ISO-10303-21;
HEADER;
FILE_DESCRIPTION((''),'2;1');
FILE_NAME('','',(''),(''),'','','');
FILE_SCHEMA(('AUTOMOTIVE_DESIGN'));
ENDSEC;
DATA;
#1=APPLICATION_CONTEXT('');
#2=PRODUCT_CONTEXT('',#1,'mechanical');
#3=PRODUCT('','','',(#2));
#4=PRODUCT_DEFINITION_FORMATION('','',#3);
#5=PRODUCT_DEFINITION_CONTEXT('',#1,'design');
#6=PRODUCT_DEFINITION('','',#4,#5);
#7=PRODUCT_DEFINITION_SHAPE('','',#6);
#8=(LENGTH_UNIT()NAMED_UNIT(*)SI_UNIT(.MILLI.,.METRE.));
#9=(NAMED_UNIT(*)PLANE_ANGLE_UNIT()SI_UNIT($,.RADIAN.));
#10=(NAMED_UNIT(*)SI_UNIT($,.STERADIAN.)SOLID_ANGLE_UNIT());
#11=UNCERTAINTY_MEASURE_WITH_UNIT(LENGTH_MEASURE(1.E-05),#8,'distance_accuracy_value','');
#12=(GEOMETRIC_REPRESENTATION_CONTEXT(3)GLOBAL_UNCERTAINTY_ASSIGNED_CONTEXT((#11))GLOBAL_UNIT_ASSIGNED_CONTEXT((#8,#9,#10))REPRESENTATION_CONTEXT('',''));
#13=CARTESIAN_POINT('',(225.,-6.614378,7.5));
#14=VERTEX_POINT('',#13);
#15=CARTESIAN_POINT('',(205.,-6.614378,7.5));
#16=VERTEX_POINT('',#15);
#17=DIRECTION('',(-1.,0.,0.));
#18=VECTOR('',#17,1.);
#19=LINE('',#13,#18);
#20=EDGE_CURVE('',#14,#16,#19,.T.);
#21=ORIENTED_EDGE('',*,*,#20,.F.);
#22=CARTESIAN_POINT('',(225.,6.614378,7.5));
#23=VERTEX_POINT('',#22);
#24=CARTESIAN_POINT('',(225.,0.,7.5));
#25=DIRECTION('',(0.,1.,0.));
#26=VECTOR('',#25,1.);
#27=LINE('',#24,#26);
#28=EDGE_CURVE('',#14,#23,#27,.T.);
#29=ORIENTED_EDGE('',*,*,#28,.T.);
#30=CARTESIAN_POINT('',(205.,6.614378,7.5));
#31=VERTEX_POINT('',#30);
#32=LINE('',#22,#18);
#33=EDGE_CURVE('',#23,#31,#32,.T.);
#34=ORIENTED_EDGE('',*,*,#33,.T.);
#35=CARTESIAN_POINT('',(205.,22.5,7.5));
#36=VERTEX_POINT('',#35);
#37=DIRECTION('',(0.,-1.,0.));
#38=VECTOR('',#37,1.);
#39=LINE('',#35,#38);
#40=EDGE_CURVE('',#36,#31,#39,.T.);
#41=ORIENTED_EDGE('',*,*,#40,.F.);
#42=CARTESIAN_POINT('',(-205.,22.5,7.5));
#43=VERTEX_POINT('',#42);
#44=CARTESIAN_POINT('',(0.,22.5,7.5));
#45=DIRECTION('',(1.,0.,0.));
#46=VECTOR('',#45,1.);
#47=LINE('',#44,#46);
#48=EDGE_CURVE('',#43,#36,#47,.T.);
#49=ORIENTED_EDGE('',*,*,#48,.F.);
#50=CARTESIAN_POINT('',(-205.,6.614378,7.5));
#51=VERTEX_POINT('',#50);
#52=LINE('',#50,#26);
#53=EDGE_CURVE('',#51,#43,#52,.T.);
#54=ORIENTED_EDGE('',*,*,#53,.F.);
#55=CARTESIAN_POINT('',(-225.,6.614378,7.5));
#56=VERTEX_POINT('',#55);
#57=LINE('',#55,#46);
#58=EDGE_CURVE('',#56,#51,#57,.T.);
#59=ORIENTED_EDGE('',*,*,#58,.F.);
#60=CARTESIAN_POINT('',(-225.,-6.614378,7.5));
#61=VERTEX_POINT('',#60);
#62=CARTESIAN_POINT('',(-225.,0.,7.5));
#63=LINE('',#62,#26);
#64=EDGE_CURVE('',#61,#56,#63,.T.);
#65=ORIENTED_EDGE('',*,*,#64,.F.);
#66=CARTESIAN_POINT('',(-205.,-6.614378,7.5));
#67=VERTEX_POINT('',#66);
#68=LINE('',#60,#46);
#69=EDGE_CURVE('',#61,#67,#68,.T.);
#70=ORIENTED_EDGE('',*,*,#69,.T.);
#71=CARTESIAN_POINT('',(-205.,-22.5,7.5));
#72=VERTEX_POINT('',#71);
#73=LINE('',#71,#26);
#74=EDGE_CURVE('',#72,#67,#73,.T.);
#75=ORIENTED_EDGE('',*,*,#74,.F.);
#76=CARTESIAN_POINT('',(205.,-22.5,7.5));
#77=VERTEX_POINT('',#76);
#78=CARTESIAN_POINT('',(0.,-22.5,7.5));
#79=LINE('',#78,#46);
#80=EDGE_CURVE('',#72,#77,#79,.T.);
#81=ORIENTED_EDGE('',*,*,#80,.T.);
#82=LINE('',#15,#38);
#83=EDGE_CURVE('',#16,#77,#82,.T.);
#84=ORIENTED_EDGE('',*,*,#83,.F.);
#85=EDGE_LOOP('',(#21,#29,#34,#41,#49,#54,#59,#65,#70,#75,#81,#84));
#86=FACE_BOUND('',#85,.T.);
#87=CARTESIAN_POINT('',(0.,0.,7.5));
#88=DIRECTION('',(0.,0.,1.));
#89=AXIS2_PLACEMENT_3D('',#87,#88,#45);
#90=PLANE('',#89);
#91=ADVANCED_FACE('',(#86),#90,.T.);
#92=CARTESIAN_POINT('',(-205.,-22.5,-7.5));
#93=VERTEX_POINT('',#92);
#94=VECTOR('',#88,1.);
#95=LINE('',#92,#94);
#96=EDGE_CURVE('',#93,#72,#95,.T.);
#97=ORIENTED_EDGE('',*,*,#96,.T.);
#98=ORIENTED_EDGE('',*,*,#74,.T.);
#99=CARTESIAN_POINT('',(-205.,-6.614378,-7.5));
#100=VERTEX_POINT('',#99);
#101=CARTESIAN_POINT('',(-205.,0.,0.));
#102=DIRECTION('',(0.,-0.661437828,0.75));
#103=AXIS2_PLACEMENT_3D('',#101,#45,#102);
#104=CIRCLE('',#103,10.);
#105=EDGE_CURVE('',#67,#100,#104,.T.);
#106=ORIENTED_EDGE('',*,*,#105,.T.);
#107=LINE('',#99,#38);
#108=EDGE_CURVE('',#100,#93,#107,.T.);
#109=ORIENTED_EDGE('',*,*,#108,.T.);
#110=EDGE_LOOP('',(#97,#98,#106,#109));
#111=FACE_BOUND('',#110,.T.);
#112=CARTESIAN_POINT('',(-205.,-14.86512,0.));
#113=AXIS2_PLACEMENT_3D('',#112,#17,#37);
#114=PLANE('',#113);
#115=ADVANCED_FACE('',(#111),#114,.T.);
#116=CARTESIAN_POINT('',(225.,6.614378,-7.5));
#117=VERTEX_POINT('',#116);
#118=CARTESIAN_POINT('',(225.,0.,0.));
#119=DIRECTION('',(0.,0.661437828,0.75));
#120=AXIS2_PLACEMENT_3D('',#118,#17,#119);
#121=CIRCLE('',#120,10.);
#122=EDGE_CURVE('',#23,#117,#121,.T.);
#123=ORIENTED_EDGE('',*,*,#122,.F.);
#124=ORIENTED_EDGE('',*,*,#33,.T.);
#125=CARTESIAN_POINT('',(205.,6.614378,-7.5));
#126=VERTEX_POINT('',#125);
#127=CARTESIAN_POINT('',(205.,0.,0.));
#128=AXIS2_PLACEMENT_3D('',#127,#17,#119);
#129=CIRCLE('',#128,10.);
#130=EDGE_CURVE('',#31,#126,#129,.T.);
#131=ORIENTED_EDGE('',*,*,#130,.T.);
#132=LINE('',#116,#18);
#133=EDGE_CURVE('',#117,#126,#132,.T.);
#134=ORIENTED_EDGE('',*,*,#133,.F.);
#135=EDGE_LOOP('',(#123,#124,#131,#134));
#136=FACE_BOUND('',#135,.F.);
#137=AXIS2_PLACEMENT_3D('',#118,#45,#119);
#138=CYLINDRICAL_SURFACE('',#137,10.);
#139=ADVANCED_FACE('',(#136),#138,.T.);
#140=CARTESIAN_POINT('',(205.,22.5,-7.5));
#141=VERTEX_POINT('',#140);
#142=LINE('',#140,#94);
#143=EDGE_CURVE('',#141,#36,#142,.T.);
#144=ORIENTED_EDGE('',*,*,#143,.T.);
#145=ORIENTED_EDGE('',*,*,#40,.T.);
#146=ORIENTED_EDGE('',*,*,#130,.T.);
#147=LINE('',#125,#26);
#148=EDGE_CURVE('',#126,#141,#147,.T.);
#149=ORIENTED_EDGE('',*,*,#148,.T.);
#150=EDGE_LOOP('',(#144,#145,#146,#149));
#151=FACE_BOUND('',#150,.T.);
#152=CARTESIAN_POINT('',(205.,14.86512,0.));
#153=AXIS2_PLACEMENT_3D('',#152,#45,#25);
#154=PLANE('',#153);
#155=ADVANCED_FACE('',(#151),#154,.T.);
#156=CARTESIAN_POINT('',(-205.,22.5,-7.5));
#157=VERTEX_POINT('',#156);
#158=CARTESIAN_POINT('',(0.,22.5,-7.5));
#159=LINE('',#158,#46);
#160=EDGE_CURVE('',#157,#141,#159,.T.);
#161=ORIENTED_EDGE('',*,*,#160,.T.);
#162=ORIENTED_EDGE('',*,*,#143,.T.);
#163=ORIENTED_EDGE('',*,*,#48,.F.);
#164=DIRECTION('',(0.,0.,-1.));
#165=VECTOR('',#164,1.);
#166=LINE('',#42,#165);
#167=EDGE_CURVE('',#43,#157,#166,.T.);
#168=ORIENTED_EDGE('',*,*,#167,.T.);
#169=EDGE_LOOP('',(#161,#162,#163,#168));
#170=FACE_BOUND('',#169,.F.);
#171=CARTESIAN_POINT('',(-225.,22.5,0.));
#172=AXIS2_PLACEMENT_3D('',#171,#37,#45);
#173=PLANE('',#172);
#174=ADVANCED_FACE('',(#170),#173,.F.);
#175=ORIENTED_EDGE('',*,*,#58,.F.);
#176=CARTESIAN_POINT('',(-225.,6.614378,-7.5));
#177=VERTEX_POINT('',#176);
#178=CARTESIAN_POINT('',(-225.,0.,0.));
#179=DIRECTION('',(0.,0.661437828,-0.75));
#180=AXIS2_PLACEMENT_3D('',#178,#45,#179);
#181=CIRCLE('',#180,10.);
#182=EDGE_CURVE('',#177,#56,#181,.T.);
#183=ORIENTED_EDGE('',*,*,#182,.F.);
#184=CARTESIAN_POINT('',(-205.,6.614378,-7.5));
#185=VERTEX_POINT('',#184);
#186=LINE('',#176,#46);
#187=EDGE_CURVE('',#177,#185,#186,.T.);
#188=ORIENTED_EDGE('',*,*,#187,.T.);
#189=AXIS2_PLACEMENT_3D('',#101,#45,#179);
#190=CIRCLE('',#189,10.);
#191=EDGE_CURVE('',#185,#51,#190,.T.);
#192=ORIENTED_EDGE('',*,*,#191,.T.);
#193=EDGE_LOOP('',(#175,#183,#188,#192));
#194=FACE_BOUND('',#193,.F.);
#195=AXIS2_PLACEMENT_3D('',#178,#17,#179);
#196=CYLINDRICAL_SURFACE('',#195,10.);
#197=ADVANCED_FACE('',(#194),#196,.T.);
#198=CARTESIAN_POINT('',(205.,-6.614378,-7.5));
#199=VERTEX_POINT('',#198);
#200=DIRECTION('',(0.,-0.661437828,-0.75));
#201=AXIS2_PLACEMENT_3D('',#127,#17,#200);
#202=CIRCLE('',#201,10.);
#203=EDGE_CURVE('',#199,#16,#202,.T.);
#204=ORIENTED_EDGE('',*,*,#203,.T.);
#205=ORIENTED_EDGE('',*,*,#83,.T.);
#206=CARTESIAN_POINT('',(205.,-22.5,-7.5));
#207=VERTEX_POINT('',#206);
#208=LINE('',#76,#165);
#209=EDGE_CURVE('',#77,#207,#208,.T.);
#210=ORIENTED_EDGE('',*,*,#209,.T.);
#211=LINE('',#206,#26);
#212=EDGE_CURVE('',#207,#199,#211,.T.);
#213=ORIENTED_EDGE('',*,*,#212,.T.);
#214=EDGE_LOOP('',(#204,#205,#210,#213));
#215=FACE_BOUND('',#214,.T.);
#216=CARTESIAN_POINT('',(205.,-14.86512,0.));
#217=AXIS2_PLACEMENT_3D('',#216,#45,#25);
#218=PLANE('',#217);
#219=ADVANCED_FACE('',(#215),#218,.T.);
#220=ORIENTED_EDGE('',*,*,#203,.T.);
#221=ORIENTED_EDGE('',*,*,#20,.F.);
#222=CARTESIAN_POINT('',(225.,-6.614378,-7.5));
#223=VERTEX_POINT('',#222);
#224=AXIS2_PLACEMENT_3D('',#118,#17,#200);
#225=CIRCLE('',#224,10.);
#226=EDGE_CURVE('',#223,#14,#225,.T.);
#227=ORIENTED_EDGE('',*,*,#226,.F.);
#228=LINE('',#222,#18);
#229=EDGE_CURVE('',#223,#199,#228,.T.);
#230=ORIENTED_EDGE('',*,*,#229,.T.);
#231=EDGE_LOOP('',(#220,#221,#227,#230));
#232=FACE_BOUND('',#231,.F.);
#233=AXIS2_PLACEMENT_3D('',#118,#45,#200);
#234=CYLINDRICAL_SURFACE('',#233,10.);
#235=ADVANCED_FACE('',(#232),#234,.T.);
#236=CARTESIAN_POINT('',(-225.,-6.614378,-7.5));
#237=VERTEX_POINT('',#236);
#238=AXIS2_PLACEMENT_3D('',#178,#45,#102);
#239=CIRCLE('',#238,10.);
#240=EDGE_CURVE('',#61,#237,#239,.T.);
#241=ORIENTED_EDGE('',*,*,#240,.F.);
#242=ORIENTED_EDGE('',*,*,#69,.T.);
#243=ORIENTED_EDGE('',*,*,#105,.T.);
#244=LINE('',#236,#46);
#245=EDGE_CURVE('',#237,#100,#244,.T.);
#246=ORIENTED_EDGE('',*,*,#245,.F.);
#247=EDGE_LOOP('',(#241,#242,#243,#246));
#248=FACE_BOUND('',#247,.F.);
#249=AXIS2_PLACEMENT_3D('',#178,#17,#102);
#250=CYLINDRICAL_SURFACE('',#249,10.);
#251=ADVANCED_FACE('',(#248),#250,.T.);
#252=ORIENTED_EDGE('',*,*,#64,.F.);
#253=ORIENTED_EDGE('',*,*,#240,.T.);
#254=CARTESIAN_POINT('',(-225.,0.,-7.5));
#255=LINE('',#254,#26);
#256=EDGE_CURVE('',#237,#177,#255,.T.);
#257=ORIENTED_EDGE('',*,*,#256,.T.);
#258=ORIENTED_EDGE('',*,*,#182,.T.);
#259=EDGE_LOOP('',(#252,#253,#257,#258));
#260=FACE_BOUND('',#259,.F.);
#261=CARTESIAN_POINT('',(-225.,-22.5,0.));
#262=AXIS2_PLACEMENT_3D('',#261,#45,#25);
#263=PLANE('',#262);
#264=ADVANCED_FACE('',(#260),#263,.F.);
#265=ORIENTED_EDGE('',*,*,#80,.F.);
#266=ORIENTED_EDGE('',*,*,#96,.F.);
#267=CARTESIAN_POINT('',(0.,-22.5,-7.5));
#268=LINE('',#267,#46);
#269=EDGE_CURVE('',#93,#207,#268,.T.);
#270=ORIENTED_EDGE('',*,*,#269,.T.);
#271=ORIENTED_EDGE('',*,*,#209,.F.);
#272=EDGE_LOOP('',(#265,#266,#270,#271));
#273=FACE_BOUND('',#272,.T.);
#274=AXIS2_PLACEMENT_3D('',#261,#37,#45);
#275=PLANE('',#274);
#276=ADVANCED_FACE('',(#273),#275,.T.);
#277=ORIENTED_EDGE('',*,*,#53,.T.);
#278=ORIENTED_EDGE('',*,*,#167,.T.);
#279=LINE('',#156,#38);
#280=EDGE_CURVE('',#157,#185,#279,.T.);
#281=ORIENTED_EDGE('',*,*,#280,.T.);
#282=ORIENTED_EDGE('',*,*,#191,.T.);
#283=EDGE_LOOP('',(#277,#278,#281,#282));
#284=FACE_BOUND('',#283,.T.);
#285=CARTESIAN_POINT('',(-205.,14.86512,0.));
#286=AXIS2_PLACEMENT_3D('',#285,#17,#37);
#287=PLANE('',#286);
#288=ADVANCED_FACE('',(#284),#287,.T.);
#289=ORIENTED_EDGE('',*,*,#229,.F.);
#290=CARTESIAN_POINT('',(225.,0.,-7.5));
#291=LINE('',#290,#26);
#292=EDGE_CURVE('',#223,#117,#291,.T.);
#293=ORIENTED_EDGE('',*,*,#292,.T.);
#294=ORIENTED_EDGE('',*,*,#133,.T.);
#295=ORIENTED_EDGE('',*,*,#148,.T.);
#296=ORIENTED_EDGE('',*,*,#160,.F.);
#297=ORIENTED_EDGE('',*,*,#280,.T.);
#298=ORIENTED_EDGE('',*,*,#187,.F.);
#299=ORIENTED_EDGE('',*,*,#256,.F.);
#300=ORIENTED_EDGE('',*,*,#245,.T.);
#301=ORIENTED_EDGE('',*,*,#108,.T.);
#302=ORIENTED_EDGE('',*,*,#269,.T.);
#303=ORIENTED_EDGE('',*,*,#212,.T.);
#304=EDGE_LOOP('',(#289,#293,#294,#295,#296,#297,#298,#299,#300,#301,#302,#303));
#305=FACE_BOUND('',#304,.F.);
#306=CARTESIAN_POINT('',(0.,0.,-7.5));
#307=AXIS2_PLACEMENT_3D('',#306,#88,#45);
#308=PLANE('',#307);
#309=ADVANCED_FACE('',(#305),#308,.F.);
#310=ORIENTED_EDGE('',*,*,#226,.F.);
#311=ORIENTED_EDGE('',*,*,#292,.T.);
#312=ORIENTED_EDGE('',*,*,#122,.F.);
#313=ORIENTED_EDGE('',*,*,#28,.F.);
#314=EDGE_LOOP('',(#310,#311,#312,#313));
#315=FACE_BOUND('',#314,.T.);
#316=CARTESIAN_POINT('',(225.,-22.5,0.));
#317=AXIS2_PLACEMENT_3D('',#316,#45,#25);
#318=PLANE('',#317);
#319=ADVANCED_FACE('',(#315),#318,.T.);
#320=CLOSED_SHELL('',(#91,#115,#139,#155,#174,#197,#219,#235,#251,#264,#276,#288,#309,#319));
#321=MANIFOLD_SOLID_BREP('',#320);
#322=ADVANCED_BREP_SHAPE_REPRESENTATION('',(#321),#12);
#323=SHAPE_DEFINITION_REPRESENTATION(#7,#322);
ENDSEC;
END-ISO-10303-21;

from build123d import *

# Parameters (mm, degrees)
F0_W     = 450
F0_H     = 45
F1_DEPTH = 7.5
F3_DEPTH = 20
F5_DEPTH = 20


with BuildPart() as f1:
    # F0 (on Top) → F1 (new body, symmetric)
    with BuildSketch(Plane.XY):
        Rectangle(F0_W, F0_H)
    extrude(amount=F1_DEPTH, both=True)

    # F2 (on face) → F3 (cut)
    with BuildSketch(Plane.YZ.offset(225)):
        with BuildLine():
            Line((22.5, 7.5), (6.6143782777, 7.5))
            ThreePointArc((6.6143782777, 7.5), (10, 0), (6.6143782777, -7.5))
            Line((6.6143782777, -7.5), (22.5, -7.5))
            Line((22.5, -7.5), (22.5, 7.5))
        make_face()
        with BuildLine():
            ThreePointArc((-6.6143782777, -7.5), (-10, 0), (-6.6143782777, 7.5))
            Line((-6.6143782777, 7.5), (-22.5, 7.5))
            Line((-22.5, 7.5), (-22.5, -7.5))
            Line((-22.5, -7.5), (-6.6143782777, -7.5))
        make_face()
    extrude(amount=-F3_DEPTH, mode=Mode.SUBTRACT)

    # F4 (on face) → F5 (cut)
    with BuildSketch(Plane(origin=(-225, 0, 0), x_dir=(0, -1, 0), z_dir=(-1, 0, 0))):
        with BuildLine():
            Line((22.5, 7.5), (6.6143782777, 7.5))
            ThreePointArc((6.6143782777, 7.5), (10, 0), (6.6143782777, -7.5))
            Line((6.6143782777, -7.5), (22.5, -7.5))
            Line((22.5, -7.5), (22.5, 7.5))
        make_face()
        with BuildLine():
            ThreePointArc((-6.6143782777, -7.5), (-10, 0), (-6.6143782777, 7.5))
            Line((-6.6143782777, 7.5), (-22.5, 7.5))
            Line((-22.5, 7.5), (-22.5, -7.5))
            Line((-22.5, -7.5), (-6.6143782777, -7.5))
        make_face()
    extrude(amount=-F5_DEPTH, mode=Mode.SUBTRACT)


solid = f1.part
